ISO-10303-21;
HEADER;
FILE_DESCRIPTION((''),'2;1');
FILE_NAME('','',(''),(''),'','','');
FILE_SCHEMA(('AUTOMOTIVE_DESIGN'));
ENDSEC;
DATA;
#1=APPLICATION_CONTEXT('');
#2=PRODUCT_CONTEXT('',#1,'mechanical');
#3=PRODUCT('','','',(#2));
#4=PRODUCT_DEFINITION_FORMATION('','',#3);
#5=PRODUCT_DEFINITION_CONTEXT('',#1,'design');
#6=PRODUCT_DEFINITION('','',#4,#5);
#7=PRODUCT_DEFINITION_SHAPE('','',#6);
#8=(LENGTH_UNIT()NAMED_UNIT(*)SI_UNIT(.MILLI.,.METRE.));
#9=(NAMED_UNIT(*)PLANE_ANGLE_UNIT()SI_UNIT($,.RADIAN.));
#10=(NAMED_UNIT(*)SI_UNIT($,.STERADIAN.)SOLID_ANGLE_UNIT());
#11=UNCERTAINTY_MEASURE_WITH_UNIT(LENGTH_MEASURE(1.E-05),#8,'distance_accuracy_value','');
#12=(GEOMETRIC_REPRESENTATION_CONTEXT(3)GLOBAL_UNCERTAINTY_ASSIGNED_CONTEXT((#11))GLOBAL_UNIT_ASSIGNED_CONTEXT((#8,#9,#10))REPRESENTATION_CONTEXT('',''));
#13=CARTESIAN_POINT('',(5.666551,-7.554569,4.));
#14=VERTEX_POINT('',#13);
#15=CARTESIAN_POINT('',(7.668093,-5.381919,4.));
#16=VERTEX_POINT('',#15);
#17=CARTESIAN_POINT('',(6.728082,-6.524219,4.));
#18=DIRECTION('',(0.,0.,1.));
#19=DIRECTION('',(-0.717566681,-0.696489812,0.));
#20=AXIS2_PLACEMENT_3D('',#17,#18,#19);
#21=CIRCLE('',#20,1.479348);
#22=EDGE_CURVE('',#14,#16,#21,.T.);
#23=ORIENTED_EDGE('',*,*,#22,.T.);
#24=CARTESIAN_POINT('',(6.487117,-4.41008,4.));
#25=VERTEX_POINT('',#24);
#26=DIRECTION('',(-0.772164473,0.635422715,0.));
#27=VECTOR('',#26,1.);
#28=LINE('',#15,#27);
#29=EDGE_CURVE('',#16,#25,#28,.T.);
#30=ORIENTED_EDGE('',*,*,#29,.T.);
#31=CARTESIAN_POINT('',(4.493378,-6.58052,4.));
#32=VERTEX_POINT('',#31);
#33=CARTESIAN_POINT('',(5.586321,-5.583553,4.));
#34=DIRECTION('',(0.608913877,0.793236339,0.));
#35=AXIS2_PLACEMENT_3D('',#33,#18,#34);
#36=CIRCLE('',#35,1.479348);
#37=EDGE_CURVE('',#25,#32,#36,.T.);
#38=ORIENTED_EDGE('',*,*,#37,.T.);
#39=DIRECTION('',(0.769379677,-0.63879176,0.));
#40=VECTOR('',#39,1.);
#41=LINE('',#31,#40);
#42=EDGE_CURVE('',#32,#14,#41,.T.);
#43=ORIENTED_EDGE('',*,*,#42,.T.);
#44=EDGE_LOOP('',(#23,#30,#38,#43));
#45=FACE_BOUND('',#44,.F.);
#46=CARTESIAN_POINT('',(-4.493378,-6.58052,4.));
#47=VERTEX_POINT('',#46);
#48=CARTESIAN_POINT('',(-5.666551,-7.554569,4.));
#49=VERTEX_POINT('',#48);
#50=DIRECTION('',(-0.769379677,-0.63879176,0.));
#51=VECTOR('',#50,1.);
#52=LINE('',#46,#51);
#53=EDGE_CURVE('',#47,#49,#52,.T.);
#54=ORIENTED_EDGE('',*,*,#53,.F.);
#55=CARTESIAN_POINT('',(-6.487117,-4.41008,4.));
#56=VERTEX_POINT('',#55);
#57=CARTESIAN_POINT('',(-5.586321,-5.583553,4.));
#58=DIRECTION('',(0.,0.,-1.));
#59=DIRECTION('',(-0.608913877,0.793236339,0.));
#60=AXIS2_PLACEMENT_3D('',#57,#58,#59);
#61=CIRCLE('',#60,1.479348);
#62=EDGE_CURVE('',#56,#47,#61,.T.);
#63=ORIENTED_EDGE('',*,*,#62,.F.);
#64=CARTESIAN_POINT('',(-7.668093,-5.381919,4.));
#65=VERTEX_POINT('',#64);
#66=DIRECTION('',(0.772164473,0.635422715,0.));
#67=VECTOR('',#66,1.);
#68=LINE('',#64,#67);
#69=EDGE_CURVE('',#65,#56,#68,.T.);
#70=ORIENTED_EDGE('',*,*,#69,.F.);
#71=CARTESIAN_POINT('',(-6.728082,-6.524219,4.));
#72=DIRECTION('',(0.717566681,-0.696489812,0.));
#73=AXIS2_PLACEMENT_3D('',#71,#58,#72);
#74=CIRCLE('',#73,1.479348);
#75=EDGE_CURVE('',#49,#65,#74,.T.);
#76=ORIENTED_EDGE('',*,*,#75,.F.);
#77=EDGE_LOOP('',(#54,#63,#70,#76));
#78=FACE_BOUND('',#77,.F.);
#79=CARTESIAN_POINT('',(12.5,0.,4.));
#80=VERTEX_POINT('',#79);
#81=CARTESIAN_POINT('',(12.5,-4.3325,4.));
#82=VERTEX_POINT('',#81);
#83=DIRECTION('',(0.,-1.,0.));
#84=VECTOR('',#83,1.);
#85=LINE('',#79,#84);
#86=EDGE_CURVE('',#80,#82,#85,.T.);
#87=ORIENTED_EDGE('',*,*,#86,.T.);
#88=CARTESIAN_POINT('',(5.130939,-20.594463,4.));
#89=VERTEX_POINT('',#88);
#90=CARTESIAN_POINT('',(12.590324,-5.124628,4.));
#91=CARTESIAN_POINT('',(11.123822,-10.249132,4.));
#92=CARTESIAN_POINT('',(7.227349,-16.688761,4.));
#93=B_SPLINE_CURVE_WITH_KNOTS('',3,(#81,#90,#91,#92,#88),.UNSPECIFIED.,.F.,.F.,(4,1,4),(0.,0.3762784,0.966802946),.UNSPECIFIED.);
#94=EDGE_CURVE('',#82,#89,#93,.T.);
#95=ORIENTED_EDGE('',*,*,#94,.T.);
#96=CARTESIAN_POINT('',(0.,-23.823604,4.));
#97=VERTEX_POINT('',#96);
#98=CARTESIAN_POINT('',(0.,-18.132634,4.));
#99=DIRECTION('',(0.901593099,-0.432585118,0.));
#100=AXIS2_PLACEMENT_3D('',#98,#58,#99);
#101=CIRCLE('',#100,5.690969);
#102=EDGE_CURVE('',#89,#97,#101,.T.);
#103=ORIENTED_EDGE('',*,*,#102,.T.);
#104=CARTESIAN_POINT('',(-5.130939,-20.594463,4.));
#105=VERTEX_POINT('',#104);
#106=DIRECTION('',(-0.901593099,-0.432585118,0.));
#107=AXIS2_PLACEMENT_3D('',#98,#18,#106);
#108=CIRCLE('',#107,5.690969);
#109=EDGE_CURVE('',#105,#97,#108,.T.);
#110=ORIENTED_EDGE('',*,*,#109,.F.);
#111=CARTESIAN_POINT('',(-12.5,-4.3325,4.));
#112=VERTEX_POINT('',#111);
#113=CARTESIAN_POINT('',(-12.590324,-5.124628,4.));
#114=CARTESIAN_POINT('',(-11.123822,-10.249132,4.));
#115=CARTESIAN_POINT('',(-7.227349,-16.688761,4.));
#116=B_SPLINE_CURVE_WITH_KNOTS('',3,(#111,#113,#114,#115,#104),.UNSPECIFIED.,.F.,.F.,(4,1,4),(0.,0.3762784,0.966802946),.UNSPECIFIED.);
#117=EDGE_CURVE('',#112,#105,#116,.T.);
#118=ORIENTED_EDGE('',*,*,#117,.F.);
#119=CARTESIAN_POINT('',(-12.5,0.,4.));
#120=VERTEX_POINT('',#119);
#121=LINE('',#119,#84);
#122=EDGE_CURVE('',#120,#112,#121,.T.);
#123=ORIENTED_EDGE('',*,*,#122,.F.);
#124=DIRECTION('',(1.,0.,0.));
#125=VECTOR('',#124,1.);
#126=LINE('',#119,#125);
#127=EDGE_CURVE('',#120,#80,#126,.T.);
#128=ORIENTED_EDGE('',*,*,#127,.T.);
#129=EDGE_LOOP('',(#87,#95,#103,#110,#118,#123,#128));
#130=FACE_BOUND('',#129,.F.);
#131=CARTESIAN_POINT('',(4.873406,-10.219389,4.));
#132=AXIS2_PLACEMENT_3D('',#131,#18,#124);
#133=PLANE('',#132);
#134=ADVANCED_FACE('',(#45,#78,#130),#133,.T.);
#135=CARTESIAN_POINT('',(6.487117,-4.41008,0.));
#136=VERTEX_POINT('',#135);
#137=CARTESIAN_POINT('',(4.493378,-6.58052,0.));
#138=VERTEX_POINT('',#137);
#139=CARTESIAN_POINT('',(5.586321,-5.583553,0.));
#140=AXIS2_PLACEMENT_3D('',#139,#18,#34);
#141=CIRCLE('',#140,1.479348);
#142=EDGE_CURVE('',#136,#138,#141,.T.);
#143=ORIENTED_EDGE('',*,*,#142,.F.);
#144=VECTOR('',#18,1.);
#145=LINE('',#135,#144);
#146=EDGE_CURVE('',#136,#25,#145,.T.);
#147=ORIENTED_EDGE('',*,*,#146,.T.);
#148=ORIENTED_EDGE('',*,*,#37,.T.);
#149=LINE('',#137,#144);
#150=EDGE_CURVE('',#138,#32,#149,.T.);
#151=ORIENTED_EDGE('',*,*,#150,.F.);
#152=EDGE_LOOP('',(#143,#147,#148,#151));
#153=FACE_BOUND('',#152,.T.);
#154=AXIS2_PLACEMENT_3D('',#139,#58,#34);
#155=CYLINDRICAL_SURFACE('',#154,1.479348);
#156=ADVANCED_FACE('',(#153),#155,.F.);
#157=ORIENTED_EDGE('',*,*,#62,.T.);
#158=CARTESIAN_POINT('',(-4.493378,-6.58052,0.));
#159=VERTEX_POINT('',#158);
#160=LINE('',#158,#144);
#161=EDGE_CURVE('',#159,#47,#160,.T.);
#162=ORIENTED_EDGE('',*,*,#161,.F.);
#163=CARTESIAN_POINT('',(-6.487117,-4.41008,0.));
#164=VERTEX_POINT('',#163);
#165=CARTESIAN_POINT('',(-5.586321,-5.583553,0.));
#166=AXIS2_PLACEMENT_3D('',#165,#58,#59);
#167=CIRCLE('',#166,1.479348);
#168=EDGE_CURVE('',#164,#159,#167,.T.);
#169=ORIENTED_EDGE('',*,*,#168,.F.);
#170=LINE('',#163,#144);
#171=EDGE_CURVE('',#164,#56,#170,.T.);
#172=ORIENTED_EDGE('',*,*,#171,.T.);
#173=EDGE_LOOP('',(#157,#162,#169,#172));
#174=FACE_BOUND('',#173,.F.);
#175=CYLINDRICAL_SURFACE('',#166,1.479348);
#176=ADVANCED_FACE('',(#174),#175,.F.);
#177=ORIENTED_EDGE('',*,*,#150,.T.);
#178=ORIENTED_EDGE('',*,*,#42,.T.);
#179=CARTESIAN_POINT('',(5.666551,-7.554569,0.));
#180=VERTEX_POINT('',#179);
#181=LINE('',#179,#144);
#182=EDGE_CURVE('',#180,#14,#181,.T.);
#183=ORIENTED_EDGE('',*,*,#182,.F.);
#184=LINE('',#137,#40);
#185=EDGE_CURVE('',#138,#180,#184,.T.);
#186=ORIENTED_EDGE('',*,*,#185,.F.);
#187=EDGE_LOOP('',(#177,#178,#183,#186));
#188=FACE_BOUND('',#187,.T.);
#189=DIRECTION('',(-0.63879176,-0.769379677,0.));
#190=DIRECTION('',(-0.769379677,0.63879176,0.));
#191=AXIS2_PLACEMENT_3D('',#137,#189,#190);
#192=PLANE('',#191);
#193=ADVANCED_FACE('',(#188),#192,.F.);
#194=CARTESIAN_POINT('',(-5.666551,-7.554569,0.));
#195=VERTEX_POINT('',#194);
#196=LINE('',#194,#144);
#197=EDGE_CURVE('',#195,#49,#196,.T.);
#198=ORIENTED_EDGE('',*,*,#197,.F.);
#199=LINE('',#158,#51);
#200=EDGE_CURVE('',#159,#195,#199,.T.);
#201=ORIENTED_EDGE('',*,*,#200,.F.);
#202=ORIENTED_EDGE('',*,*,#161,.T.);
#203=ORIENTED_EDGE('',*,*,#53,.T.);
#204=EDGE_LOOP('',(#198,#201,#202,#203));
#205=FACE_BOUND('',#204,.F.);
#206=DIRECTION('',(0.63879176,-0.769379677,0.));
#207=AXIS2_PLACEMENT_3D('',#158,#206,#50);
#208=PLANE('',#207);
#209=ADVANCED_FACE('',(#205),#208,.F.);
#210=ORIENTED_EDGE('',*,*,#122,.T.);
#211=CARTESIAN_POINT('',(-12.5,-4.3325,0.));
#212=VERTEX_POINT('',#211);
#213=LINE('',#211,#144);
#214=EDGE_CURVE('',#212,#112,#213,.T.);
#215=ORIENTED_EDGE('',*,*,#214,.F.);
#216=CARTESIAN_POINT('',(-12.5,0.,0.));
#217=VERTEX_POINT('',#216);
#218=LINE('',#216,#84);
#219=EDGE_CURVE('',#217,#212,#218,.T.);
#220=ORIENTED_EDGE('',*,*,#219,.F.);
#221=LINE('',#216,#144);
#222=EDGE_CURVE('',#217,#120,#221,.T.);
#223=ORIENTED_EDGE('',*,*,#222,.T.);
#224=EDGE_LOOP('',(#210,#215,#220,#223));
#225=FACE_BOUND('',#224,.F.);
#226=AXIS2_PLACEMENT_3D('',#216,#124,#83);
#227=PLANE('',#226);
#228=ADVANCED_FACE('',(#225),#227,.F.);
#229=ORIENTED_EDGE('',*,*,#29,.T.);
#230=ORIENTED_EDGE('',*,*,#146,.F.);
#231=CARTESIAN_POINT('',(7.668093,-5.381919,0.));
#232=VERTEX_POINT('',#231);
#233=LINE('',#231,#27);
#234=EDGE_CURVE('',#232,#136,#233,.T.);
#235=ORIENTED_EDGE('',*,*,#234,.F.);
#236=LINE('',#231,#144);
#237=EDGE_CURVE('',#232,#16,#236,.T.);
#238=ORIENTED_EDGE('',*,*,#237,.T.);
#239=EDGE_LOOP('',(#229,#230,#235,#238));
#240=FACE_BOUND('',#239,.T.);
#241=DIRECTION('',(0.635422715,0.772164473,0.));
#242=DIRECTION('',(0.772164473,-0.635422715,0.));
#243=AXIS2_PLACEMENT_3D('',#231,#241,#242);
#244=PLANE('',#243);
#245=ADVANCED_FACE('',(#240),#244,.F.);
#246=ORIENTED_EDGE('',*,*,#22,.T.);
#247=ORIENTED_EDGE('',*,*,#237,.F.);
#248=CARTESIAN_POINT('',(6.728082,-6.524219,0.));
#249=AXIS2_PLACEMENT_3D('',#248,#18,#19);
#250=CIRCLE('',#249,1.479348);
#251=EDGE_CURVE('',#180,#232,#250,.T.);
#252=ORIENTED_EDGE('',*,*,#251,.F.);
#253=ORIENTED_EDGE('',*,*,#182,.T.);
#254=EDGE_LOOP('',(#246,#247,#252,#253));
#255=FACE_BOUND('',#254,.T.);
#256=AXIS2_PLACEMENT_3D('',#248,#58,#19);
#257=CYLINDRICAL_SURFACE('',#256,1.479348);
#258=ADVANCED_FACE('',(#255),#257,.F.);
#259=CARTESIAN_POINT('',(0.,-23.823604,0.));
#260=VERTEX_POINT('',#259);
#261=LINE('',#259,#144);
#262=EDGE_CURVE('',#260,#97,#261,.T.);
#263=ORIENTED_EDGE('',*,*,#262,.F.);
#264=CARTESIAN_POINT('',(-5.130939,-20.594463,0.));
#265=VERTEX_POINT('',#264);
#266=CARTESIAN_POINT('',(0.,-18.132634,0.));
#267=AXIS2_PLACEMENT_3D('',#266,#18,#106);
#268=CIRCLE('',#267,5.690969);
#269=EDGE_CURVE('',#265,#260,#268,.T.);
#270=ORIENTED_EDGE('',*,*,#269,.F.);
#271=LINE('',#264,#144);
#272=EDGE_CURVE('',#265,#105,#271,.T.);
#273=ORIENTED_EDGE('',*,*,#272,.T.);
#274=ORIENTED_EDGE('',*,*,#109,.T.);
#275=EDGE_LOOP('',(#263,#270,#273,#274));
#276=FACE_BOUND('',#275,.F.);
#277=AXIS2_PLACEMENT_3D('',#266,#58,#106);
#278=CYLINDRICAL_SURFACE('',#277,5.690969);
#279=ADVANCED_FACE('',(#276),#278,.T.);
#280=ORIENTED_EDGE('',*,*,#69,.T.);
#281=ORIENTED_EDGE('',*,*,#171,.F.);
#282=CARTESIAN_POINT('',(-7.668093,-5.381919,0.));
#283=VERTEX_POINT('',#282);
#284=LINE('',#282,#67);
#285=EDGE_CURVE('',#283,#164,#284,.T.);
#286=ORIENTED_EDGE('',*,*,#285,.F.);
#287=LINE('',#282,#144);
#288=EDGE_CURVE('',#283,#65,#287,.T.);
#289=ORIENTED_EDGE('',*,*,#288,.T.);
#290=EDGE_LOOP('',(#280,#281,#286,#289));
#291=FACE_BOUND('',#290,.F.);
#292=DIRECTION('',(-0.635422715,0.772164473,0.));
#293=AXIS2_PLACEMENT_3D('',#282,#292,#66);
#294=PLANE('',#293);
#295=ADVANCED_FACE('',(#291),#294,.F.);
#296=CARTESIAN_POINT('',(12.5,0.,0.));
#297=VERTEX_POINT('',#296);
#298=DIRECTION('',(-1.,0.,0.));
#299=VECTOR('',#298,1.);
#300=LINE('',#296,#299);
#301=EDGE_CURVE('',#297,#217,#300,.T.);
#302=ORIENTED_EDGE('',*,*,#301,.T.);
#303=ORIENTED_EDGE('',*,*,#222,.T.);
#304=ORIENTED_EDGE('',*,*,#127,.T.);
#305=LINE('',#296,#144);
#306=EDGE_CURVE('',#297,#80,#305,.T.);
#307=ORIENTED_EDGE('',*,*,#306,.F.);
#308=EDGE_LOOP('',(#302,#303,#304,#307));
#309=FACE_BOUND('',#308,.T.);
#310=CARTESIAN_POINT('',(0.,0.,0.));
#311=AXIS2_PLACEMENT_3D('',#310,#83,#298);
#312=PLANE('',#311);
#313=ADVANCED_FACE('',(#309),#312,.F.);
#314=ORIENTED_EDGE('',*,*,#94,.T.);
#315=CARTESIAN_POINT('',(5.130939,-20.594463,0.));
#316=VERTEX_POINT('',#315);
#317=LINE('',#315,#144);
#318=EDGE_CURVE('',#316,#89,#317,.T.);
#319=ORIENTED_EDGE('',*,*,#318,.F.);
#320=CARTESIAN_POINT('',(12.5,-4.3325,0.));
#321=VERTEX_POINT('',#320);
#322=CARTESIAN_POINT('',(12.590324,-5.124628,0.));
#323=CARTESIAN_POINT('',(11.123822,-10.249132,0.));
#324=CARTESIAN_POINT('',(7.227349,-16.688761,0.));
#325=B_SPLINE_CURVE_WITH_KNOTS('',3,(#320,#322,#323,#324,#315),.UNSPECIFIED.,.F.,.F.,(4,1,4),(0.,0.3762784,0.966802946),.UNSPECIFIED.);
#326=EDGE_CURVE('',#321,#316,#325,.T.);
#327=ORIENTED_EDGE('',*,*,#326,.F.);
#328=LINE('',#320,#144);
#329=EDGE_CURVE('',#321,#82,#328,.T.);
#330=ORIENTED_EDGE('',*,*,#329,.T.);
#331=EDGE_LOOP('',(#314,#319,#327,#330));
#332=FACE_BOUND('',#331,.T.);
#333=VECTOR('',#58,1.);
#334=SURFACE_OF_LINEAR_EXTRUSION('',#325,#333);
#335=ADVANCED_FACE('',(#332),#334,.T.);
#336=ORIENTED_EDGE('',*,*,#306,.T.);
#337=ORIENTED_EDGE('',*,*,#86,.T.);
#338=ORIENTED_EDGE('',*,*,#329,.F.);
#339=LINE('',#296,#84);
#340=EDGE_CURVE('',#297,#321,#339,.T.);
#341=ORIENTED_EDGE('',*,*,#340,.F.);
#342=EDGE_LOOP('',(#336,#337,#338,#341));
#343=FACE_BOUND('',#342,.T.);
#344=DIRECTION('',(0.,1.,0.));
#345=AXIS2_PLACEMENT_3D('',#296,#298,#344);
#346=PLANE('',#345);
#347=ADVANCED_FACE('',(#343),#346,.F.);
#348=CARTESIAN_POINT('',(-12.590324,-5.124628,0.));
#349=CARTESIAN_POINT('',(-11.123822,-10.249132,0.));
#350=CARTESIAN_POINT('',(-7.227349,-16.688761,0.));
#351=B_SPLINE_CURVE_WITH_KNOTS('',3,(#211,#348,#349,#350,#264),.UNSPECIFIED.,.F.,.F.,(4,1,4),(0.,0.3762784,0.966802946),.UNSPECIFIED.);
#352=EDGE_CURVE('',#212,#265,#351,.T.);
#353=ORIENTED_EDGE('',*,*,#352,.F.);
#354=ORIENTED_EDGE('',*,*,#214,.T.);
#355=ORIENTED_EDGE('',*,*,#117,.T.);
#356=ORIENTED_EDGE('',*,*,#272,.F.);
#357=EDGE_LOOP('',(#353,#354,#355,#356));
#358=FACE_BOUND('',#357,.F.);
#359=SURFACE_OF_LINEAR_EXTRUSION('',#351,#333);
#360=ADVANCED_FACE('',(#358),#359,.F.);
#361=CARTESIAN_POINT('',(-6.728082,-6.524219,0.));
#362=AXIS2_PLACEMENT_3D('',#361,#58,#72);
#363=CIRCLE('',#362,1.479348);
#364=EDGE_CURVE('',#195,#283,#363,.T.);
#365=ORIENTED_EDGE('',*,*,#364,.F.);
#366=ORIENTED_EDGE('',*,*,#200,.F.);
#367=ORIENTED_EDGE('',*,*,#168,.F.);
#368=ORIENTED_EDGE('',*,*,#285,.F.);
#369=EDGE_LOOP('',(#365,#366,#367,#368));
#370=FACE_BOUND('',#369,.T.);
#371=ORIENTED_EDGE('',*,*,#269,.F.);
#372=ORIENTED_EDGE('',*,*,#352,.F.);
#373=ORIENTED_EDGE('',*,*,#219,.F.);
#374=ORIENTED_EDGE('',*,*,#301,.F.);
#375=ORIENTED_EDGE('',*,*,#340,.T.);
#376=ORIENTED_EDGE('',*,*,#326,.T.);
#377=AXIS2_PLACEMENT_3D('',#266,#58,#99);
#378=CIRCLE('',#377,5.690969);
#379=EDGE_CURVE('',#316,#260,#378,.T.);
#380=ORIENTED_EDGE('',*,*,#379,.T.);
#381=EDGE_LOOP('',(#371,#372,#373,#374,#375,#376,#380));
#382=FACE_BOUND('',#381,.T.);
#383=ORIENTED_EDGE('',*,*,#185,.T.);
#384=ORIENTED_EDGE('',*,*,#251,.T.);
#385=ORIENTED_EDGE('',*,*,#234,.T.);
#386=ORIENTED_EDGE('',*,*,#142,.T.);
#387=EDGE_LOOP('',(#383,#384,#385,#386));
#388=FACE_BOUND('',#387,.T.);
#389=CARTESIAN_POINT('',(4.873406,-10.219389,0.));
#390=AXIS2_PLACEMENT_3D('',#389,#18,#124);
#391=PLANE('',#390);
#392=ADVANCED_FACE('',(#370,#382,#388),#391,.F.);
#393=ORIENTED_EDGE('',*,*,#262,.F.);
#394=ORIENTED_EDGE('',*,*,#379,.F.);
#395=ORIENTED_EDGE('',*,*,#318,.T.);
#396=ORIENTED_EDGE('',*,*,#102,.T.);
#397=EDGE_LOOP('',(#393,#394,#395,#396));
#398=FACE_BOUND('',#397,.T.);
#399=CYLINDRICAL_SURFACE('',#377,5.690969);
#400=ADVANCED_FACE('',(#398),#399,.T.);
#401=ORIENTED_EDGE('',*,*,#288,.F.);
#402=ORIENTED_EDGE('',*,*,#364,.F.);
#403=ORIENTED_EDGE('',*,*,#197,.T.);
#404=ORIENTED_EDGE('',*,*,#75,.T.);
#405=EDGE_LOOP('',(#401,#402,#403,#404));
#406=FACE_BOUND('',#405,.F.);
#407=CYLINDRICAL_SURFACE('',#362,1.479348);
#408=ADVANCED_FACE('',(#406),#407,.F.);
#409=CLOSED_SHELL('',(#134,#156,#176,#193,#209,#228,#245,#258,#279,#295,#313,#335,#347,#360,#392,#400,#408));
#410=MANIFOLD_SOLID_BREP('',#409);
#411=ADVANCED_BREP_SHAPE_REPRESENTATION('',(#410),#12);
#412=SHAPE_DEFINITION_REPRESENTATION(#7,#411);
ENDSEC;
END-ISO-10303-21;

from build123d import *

# Parameters (mm, degrees)
F1_DEPTH = 4


with BuildPart() as f1:
    # F0 (on Top) → F1 (new body)
    with BuildSketch(Plane.XY):
        with BuildLine():
            add(Edge.make_bspline(
                [(-12.5000001863, -4.3325), (-12.5903241506, -5.1246283718), (-11.1238216605, -10.2491323344), (-7.2273488543, -16.6887612591), (-5.1309385057, -20.5944630208)],
                knots=[0, 0, 0, 0, 0.3762784001, 0.9668029462, 0.9668029462, 0.9668029462, 0.9668029462], degree=3))
            ThreePointArc((-5.1309385057, -20.5944630208), (-3.0312488708, -22.9491331987), (0, -23.8236036058))
            Line((0, -23.8236036058), (0, 0))
            Line((0, 0), (-12.5000001863, 0))
            Line((-12.5000001863, 0), (-12.5000001863, -4.3325))
        make_face()
        with BuildLine():
            ThreePointArc((-5.1309385057, -20.5944630208), (-5.1396245581, -20.5762770718), (-5.148246153, -20.5580604763))
            add(Edge.make_bspline(
                [(-5.1309385057, -20.5944630208), (-5.0130862543, -20.8140267842), (-4.8961301286, -21.0335032223), (-5.148246153, -20.5580604763)],
                knots=[0.9668029462, 0.9668029462, 0.9668029462, 0.9668029462, 1, 1, 1, 1], degree=3))
        make_face(mode=Mode.SUBTRACT)
        with BuildLine():
            ThreePointArc((-6.4871167413, -4.4100803792), (-4.4968571698, -4.5827845232), (-4.4933781906, -6.5805201864))
            Line((-4.4933781906, -6.5805201864), (-5.6665514142, -7.5545690335))
            ThreePointArc((-5.6665514142, -7.5545690335), (-7.8161049028, -7.5265534578), (-7.6680930135, -5.3819188611))
            Line((-7.6680930135, -5.3819188611), (-6.4871167413, -4.4100803792))
        make_face(mode=Mode.SUBTRACT)
        with BuildLine():
            add(Edge.make_bspline(
                [(-5.1309385057, -20.5944630208), (-5.0130862543, -20.8140267842), (-4.8961301286, -21.0335032223), (-5.148246153, -20.5580604763)],
                knots=[0.9668029462, 0.9668029462, 0.9668029462, 0.9668029462, 1, 1, 1, 1], degree=3))
            ThreePointArc((-5.148246153, -20.5580604763), (-5.1396245581, -20.5762770718), (-5.1309385057, -20.5944630208))
        make_face()
    extrude(amount=F1_DEPTH)

    # F2: F1 across plane


with BuildPart() as f1_1:
    add(f1.part)
    add(f1.part.mirror(Plane.YZ))


solid = f1_1.part
